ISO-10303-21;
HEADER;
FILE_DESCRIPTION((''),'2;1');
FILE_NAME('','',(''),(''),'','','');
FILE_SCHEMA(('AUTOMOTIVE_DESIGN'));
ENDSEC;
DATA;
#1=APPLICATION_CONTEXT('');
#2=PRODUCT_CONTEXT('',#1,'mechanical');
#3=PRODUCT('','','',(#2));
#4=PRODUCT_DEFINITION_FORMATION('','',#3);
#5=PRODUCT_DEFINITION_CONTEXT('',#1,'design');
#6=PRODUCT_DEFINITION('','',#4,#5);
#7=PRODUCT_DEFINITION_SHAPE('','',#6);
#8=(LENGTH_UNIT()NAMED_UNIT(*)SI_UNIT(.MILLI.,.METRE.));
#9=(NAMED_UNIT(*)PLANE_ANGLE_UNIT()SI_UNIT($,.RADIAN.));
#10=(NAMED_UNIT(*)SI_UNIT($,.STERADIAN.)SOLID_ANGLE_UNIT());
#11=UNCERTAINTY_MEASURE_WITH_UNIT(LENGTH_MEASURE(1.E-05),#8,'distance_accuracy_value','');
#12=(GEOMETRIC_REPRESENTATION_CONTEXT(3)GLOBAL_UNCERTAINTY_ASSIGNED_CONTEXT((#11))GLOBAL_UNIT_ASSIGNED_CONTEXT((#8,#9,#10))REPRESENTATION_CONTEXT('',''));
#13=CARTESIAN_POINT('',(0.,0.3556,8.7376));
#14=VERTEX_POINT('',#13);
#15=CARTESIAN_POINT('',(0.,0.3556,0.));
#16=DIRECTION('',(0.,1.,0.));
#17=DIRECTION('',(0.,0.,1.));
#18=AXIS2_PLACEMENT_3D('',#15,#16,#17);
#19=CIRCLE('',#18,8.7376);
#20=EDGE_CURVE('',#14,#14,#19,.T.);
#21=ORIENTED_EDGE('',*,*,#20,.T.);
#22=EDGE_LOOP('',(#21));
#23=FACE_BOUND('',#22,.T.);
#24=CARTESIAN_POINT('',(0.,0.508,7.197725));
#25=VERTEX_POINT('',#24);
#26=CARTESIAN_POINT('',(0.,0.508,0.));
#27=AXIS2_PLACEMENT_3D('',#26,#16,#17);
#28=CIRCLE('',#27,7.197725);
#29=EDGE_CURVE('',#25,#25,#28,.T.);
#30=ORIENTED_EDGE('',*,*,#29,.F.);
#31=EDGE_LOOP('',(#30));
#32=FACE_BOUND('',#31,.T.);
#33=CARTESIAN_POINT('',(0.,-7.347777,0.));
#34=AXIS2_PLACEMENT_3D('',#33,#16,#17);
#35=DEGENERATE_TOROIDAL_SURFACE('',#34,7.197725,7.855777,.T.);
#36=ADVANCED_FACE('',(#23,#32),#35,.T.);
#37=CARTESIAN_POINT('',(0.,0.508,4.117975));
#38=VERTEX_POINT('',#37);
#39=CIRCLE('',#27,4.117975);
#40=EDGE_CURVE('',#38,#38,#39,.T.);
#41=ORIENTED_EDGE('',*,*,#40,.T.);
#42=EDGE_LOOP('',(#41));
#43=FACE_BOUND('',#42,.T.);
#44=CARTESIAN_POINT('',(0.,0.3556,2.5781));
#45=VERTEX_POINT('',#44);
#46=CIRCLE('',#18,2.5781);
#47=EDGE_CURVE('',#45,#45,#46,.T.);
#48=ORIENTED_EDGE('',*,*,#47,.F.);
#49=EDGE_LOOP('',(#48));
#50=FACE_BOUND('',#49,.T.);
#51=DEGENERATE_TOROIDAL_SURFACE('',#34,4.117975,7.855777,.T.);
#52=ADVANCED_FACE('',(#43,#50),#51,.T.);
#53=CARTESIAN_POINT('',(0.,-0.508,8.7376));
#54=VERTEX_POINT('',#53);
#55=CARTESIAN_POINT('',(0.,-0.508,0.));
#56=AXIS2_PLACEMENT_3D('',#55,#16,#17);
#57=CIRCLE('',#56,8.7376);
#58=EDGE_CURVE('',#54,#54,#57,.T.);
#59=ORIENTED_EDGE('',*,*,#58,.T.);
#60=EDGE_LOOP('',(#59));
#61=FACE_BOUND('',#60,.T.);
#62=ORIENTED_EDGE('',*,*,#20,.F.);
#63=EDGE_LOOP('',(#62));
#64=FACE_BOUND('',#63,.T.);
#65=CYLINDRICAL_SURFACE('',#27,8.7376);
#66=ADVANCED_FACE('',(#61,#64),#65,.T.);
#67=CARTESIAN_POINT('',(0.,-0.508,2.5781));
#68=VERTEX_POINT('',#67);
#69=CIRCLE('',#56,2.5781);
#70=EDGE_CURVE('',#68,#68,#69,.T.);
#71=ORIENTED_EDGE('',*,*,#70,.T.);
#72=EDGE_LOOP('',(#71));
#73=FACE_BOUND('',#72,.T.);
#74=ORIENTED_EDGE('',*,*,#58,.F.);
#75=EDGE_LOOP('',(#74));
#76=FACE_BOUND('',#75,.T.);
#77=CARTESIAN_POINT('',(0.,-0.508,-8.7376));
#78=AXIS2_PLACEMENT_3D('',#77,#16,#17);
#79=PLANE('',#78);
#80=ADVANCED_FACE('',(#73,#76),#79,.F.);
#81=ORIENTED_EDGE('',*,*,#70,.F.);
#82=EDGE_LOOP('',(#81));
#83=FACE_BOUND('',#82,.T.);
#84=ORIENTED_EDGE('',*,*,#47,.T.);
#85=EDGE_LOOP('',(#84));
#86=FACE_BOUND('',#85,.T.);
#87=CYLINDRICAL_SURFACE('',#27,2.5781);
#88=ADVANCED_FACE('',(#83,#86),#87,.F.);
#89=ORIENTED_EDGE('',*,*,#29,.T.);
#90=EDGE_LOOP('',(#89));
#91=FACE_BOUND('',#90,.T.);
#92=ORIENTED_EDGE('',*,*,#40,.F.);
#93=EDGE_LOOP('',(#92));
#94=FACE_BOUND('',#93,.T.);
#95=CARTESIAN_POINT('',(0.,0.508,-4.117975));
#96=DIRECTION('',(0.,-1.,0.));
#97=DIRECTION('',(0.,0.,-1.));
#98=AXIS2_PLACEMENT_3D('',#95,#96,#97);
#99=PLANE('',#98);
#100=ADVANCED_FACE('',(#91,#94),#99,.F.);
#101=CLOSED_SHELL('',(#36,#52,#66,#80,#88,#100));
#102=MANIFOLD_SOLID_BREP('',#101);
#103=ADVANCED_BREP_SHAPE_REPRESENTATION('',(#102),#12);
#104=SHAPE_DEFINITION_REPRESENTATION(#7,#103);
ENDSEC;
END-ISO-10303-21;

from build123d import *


with BuildPart() as part:
    # Sketch3 → Revolve1 (revolve)
    with BuildSketch(Plane(origin=(0, 0, 0), x_dir=(0, 0, -1), z_dir=(1, 0, 0)), mode=Mode.PRIVATE) as revolve1_sk:
        with BuildLine():
            Line((8.7376, -0.508), (2.5781, -0.508))
            Line((2.5781, -0.508), (2.5781, 0.3556))
            ThreePointArc((2.5781, 0.3556), (3.344275967, 0.469807158), (4.117975, 0.508))
            Line((4.117975, 0.508), (7.197725, 0.508))
            ThreePointArc((7.197725, 0.508), (7.971424033, 0.469807158), (8.7376, 0.3556))
            Line((8.7376, 0.3556), (8.7376, -0.508))
        make_face()
    revolve(revolve1_sk.sketch.rotate(Axis((0, 0.508, 0), (0, -1, 0)), 180), axis=Axis((0, 0.508, 0), (0, -1, 0)))


solid = part.part
